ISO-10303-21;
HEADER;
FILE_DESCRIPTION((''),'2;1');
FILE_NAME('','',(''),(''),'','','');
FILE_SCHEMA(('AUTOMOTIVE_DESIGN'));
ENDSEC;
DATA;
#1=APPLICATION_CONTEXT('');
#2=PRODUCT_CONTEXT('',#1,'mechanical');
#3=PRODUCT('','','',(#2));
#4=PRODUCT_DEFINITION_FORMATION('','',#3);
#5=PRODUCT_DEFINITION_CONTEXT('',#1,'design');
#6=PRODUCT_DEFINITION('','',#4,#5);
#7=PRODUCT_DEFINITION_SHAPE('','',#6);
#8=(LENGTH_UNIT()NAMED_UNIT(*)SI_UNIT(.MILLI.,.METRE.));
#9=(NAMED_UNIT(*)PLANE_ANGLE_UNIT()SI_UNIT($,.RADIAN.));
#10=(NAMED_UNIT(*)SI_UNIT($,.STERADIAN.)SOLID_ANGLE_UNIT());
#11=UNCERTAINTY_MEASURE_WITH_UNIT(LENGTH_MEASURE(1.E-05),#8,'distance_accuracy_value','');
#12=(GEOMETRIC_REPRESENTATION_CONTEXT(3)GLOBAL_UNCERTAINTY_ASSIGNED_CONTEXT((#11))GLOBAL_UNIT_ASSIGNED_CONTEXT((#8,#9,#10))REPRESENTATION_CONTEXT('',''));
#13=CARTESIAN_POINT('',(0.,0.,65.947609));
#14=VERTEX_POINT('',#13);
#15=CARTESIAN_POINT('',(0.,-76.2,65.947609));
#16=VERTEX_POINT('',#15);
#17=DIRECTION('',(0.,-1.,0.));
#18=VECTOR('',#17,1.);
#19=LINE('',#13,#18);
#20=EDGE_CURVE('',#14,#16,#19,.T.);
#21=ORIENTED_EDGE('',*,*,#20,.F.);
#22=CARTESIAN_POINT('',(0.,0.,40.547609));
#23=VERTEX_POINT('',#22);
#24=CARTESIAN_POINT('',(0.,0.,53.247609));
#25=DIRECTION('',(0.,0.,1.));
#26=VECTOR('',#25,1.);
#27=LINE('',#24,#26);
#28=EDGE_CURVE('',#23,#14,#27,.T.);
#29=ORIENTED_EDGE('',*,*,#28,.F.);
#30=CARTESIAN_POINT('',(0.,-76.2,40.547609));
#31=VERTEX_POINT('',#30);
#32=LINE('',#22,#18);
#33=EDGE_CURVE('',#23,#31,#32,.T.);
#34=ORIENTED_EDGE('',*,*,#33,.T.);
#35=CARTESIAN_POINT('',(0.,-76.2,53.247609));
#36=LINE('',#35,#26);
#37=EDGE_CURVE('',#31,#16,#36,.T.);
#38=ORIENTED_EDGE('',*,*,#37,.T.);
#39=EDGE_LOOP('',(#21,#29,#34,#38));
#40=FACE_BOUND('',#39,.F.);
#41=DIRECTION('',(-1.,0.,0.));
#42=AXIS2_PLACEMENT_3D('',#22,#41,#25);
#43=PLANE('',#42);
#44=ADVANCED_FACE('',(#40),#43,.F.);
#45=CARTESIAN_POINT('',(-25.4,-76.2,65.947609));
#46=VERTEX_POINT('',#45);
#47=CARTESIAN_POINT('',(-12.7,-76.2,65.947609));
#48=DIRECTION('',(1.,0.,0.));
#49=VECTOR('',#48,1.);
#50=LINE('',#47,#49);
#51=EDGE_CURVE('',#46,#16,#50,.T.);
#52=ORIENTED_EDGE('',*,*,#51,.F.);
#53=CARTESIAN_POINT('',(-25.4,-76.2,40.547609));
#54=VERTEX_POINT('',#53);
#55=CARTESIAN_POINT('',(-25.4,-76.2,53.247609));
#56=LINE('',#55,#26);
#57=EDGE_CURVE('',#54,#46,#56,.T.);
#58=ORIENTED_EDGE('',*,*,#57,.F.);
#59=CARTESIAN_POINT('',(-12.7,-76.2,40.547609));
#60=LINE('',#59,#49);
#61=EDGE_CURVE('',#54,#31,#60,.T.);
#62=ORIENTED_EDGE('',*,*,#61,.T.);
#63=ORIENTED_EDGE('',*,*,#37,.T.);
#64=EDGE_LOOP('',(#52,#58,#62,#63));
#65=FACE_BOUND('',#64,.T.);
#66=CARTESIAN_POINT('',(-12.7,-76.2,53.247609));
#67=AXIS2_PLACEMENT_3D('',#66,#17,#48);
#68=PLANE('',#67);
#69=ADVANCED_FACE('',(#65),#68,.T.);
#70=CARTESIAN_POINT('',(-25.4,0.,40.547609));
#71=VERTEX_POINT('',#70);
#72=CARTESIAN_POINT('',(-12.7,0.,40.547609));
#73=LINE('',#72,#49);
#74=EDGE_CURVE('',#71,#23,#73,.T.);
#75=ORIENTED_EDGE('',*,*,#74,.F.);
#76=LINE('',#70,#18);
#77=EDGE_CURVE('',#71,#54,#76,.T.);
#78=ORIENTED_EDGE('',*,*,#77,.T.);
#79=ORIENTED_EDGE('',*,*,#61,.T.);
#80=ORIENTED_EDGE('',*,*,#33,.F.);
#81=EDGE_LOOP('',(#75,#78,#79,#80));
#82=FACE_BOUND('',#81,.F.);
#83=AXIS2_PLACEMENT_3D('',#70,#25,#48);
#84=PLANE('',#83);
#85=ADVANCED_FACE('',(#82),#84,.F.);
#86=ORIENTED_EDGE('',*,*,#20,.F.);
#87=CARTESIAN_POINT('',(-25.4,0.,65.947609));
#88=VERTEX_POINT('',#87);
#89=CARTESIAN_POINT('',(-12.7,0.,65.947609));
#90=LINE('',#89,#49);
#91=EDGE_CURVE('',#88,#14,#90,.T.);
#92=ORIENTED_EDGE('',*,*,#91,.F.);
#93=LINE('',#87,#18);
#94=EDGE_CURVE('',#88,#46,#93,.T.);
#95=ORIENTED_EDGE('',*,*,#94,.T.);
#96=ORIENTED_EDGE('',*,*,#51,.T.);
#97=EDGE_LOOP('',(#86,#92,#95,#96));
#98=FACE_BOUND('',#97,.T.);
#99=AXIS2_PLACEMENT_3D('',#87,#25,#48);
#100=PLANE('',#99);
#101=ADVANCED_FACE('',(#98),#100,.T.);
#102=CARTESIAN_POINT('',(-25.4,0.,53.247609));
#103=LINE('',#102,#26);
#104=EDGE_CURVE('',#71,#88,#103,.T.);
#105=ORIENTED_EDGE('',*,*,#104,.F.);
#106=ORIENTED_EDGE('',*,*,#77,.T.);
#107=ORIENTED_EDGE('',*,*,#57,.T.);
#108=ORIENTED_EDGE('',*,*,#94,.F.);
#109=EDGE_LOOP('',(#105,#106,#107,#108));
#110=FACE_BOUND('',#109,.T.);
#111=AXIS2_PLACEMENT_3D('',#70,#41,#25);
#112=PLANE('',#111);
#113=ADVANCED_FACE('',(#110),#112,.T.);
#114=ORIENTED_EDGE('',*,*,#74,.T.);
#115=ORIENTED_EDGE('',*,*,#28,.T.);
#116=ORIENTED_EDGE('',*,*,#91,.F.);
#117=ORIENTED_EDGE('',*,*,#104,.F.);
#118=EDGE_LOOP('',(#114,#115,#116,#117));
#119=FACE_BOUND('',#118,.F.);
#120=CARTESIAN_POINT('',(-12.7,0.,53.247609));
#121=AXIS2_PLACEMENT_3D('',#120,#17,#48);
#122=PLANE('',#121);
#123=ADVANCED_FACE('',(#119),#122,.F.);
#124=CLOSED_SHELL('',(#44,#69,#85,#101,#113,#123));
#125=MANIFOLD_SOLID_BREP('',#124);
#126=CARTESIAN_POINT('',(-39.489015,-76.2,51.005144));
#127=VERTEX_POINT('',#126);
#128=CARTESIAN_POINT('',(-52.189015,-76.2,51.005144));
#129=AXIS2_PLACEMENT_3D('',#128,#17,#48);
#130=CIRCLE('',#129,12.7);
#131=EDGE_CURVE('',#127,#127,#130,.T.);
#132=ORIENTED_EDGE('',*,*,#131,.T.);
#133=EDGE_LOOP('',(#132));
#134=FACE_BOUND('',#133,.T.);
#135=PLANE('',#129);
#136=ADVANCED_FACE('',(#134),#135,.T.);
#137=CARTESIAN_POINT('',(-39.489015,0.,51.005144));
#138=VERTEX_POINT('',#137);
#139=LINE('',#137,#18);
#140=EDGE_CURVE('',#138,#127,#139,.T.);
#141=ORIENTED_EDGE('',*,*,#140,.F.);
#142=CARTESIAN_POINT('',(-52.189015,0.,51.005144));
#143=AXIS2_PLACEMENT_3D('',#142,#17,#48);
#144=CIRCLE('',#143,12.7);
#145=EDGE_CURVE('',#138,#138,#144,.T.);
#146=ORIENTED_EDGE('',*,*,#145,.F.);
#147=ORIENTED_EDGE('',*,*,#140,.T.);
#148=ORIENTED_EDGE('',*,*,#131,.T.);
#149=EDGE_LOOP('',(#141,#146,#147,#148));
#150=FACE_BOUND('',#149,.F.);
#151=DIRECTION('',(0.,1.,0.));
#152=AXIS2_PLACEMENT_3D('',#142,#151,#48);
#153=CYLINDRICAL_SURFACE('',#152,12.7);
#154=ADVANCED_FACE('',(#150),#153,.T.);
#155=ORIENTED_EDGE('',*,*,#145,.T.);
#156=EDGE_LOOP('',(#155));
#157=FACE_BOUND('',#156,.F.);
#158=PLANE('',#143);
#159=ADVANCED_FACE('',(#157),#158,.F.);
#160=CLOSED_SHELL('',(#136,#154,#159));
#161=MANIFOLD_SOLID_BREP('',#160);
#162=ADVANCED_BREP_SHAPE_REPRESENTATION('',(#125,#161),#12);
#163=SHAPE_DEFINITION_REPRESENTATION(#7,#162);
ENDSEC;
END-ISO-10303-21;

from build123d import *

# Parameters (mm, degrees)
F0_R     = 12.7
F1_DEPTH = 76.2
F2_W     = 25.4
F2_H     = 25.4
F3_DEPTH = 76.2


with BuildPart() as f1:
    # F0 (on Front) → F1 (new body)
    with BuildSketch(Plane.XZ):
        with Locations((-52.189015, 51.005144)):
            Circle(F0_R)
    extrude(amount=F1_DEPTH)


with BuildPart() as f3:
    # F2 (on Front) → F3 (new body)
    with BuildSketch(Plane.XZ):
        with Locations((-12.7, 53.247609)):
            Rectangle(F2_W, F2_H)
    extrude(amount=F3_DEPTH)


solid = Compound([f1.part, f3.part])
